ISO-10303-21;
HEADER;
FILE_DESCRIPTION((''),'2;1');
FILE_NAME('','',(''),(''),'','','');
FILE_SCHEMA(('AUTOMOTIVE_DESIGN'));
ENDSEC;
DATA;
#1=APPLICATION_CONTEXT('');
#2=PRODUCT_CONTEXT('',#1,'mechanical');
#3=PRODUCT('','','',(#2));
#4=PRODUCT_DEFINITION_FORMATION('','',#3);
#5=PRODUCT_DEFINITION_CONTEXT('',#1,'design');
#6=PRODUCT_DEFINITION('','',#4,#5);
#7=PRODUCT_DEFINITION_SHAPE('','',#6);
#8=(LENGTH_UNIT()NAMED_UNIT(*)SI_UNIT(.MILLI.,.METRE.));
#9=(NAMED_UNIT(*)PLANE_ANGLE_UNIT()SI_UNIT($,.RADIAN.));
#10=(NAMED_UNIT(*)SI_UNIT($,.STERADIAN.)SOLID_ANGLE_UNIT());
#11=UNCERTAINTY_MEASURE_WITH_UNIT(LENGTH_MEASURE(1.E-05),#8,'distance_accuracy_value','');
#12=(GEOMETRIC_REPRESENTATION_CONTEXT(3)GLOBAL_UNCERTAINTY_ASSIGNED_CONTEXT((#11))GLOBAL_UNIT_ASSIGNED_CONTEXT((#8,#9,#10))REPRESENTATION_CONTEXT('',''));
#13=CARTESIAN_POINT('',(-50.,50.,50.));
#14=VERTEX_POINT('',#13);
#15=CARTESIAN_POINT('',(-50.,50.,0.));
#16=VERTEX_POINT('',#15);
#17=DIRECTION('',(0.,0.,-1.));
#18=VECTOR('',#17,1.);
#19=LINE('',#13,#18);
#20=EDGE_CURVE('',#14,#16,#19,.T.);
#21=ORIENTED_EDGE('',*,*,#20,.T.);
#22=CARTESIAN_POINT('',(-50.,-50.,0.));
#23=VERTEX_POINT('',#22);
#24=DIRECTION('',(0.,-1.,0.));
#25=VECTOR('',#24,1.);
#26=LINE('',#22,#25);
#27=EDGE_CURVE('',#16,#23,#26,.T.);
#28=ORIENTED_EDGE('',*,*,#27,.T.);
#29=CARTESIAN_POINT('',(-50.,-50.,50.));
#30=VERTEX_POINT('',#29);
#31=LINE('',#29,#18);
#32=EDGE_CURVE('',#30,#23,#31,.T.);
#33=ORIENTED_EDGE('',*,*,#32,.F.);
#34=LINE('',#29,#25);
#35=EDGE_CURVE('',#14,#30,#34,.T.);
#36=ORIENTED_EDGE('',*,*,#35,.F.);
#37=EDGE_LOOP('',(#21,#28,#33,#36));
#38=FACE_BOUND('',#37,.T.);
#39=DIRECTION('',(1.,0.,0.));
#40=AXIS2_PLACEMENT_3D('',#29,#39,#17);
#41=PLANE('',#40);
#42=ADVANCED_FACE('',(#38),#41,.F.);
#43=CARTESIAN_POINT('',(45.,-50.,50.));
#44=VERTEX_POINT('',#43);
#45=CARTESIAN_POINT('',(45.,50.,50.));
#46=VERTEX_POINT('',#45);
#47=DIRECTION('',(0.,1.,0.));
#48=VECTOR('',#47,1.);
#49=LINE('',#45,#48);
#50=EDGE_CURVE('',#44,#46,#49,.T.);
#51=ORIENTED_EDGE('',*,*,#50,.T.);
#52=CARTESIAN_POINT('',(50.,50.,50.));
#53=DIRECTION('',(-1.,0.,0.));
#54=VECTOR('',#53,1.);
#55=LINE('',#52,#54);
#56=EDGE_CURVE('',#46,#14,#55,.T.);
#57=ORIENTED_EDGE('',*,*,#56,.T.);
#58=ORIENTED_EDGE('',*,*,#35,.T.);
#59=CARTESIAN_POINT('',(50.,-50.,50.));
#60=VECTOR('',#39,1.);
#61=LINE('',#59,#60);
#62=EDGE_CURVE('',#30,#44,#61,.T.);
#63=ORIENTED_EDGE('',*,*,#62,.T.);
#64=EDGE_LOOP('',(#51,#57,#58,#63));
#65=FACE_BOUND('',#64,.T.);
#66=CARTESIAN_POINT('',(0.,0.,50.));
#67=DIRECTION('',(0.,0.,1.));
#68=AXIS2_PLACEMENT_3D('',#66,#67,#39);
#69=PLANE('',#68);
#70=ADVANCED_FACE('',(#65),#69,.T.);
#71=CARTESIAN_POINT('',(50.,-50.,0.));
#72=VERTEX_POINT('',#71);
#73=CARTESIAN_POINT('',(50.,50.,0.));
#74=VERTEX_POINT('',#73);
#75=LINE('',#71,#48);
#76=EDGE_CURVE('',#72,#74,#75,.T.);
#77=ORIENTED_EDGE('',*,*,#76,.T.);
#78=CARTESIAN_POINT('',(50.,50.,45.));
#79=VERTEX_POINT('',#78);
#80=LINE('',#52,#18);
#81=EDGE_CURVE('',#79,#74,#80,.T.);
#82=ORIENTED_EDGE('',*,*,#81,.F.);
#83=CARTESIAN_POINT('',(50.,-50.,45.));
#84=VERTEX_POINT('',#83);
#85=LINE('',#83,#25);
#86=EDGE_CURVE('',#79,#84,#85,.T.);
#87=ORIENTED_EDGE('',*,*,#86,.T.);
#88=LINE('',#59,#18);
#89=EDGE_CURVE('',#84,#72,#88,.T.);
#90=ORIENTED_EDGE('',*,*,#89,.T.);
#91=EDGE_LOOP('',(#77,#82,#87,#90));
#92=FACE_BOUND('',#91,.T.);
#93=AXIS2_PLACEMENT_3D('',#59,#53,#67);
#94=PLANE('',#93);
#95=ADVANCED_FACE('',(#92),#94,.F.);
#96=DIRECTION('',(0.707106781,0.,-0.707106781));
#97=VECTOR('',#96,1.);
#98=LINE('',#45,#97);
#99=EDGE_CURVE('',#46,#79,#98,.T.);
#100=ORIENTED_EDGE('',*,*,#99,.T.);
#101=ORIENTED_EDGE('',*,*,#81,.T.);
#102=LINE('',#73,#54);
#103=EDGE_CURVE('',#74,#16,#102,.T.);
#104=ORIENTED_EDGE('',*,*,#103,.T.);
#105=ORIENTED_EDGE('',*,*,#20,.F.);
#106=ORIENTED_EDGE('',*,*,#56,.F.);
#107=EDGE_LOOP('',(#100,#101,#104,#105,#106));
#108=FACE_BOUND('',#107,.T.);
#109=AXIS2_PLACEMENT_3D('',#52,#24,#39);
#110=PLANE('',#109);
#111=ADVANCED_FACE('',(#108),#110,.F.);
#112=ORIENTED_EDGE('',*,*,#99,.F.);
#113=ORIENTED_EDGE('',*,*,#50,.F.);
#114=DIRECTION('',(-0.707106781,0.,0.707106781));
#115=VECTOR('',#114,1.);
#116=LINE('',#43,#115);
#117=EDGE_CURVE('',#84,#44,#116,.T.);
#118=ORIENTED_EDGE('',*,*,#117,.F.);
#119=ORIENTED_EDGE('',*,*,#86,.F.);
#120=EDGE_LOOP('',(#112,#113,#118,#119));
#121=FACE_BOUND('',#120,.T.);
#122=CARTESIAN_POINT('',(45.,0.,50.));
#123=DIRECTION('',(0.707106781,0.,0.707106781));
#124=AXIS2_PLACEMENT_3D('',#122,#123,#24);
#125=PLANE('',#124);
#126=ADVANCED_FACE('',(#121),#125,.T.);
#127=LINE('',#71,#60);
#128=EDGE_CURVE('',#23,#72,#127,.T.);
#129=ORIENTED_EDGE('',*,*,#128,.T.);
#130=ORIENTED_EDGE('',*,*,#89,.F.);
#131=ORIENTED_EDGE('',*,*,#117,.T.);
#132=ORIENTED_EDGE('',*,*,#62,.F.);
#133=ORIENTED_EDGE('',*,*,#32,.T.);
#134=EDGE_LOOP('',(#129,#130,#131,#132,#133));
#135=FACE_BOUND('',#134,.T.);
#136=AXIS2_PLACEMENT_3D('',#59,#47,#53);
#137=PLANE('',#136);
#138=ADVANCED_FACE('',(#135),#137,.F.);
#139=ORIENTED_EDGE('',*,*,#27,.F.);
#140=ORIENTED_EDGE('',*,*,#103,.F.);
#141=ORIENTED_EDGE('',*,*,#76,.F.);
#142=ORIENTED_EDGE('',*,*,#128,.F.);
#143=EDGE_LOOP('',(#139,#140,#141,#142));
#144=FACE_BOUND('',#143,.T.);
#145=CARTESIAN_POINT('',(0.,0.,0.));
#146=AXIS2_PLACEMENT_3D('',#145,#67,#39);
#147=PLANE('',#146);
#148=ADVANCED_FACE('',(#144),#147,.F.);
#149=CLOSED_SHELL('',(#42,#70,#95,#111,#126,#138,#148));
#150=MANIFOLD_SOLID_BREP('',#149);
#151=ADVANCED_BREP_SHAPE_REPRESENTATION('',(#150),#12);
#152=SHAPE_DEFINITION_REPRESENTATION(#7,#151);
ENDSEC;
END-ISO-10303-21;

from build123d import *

# Parameters (mm, degrees)
SKIZZE1_W                       = 100
SKIZZE1_H                       = 100
AUFSATZ_LINEAR_AUSTRAGEN1_DEPTH = 50
FASE1_SIZE                      = 5


with BuildPart() as part:
    # Skizze1 → Aufsatz-Linear austragen1 (new body)
    with BuildSketch(Plane.XY):
        Rectangle(SKIZZE1_W, SKIZZE1_H)
    extrude(amount=AUFSATZ_LINEAR_AUSTRAGEN1_DEPTH)

    # Fase1
    fase1_edges = [part.edges().sort_by_distance(p)[0] for p in [
        (50, 0, 50),
    ]]
    chamfer(fase1_edges, length=FASE1_SIZE)


solid = part.part
